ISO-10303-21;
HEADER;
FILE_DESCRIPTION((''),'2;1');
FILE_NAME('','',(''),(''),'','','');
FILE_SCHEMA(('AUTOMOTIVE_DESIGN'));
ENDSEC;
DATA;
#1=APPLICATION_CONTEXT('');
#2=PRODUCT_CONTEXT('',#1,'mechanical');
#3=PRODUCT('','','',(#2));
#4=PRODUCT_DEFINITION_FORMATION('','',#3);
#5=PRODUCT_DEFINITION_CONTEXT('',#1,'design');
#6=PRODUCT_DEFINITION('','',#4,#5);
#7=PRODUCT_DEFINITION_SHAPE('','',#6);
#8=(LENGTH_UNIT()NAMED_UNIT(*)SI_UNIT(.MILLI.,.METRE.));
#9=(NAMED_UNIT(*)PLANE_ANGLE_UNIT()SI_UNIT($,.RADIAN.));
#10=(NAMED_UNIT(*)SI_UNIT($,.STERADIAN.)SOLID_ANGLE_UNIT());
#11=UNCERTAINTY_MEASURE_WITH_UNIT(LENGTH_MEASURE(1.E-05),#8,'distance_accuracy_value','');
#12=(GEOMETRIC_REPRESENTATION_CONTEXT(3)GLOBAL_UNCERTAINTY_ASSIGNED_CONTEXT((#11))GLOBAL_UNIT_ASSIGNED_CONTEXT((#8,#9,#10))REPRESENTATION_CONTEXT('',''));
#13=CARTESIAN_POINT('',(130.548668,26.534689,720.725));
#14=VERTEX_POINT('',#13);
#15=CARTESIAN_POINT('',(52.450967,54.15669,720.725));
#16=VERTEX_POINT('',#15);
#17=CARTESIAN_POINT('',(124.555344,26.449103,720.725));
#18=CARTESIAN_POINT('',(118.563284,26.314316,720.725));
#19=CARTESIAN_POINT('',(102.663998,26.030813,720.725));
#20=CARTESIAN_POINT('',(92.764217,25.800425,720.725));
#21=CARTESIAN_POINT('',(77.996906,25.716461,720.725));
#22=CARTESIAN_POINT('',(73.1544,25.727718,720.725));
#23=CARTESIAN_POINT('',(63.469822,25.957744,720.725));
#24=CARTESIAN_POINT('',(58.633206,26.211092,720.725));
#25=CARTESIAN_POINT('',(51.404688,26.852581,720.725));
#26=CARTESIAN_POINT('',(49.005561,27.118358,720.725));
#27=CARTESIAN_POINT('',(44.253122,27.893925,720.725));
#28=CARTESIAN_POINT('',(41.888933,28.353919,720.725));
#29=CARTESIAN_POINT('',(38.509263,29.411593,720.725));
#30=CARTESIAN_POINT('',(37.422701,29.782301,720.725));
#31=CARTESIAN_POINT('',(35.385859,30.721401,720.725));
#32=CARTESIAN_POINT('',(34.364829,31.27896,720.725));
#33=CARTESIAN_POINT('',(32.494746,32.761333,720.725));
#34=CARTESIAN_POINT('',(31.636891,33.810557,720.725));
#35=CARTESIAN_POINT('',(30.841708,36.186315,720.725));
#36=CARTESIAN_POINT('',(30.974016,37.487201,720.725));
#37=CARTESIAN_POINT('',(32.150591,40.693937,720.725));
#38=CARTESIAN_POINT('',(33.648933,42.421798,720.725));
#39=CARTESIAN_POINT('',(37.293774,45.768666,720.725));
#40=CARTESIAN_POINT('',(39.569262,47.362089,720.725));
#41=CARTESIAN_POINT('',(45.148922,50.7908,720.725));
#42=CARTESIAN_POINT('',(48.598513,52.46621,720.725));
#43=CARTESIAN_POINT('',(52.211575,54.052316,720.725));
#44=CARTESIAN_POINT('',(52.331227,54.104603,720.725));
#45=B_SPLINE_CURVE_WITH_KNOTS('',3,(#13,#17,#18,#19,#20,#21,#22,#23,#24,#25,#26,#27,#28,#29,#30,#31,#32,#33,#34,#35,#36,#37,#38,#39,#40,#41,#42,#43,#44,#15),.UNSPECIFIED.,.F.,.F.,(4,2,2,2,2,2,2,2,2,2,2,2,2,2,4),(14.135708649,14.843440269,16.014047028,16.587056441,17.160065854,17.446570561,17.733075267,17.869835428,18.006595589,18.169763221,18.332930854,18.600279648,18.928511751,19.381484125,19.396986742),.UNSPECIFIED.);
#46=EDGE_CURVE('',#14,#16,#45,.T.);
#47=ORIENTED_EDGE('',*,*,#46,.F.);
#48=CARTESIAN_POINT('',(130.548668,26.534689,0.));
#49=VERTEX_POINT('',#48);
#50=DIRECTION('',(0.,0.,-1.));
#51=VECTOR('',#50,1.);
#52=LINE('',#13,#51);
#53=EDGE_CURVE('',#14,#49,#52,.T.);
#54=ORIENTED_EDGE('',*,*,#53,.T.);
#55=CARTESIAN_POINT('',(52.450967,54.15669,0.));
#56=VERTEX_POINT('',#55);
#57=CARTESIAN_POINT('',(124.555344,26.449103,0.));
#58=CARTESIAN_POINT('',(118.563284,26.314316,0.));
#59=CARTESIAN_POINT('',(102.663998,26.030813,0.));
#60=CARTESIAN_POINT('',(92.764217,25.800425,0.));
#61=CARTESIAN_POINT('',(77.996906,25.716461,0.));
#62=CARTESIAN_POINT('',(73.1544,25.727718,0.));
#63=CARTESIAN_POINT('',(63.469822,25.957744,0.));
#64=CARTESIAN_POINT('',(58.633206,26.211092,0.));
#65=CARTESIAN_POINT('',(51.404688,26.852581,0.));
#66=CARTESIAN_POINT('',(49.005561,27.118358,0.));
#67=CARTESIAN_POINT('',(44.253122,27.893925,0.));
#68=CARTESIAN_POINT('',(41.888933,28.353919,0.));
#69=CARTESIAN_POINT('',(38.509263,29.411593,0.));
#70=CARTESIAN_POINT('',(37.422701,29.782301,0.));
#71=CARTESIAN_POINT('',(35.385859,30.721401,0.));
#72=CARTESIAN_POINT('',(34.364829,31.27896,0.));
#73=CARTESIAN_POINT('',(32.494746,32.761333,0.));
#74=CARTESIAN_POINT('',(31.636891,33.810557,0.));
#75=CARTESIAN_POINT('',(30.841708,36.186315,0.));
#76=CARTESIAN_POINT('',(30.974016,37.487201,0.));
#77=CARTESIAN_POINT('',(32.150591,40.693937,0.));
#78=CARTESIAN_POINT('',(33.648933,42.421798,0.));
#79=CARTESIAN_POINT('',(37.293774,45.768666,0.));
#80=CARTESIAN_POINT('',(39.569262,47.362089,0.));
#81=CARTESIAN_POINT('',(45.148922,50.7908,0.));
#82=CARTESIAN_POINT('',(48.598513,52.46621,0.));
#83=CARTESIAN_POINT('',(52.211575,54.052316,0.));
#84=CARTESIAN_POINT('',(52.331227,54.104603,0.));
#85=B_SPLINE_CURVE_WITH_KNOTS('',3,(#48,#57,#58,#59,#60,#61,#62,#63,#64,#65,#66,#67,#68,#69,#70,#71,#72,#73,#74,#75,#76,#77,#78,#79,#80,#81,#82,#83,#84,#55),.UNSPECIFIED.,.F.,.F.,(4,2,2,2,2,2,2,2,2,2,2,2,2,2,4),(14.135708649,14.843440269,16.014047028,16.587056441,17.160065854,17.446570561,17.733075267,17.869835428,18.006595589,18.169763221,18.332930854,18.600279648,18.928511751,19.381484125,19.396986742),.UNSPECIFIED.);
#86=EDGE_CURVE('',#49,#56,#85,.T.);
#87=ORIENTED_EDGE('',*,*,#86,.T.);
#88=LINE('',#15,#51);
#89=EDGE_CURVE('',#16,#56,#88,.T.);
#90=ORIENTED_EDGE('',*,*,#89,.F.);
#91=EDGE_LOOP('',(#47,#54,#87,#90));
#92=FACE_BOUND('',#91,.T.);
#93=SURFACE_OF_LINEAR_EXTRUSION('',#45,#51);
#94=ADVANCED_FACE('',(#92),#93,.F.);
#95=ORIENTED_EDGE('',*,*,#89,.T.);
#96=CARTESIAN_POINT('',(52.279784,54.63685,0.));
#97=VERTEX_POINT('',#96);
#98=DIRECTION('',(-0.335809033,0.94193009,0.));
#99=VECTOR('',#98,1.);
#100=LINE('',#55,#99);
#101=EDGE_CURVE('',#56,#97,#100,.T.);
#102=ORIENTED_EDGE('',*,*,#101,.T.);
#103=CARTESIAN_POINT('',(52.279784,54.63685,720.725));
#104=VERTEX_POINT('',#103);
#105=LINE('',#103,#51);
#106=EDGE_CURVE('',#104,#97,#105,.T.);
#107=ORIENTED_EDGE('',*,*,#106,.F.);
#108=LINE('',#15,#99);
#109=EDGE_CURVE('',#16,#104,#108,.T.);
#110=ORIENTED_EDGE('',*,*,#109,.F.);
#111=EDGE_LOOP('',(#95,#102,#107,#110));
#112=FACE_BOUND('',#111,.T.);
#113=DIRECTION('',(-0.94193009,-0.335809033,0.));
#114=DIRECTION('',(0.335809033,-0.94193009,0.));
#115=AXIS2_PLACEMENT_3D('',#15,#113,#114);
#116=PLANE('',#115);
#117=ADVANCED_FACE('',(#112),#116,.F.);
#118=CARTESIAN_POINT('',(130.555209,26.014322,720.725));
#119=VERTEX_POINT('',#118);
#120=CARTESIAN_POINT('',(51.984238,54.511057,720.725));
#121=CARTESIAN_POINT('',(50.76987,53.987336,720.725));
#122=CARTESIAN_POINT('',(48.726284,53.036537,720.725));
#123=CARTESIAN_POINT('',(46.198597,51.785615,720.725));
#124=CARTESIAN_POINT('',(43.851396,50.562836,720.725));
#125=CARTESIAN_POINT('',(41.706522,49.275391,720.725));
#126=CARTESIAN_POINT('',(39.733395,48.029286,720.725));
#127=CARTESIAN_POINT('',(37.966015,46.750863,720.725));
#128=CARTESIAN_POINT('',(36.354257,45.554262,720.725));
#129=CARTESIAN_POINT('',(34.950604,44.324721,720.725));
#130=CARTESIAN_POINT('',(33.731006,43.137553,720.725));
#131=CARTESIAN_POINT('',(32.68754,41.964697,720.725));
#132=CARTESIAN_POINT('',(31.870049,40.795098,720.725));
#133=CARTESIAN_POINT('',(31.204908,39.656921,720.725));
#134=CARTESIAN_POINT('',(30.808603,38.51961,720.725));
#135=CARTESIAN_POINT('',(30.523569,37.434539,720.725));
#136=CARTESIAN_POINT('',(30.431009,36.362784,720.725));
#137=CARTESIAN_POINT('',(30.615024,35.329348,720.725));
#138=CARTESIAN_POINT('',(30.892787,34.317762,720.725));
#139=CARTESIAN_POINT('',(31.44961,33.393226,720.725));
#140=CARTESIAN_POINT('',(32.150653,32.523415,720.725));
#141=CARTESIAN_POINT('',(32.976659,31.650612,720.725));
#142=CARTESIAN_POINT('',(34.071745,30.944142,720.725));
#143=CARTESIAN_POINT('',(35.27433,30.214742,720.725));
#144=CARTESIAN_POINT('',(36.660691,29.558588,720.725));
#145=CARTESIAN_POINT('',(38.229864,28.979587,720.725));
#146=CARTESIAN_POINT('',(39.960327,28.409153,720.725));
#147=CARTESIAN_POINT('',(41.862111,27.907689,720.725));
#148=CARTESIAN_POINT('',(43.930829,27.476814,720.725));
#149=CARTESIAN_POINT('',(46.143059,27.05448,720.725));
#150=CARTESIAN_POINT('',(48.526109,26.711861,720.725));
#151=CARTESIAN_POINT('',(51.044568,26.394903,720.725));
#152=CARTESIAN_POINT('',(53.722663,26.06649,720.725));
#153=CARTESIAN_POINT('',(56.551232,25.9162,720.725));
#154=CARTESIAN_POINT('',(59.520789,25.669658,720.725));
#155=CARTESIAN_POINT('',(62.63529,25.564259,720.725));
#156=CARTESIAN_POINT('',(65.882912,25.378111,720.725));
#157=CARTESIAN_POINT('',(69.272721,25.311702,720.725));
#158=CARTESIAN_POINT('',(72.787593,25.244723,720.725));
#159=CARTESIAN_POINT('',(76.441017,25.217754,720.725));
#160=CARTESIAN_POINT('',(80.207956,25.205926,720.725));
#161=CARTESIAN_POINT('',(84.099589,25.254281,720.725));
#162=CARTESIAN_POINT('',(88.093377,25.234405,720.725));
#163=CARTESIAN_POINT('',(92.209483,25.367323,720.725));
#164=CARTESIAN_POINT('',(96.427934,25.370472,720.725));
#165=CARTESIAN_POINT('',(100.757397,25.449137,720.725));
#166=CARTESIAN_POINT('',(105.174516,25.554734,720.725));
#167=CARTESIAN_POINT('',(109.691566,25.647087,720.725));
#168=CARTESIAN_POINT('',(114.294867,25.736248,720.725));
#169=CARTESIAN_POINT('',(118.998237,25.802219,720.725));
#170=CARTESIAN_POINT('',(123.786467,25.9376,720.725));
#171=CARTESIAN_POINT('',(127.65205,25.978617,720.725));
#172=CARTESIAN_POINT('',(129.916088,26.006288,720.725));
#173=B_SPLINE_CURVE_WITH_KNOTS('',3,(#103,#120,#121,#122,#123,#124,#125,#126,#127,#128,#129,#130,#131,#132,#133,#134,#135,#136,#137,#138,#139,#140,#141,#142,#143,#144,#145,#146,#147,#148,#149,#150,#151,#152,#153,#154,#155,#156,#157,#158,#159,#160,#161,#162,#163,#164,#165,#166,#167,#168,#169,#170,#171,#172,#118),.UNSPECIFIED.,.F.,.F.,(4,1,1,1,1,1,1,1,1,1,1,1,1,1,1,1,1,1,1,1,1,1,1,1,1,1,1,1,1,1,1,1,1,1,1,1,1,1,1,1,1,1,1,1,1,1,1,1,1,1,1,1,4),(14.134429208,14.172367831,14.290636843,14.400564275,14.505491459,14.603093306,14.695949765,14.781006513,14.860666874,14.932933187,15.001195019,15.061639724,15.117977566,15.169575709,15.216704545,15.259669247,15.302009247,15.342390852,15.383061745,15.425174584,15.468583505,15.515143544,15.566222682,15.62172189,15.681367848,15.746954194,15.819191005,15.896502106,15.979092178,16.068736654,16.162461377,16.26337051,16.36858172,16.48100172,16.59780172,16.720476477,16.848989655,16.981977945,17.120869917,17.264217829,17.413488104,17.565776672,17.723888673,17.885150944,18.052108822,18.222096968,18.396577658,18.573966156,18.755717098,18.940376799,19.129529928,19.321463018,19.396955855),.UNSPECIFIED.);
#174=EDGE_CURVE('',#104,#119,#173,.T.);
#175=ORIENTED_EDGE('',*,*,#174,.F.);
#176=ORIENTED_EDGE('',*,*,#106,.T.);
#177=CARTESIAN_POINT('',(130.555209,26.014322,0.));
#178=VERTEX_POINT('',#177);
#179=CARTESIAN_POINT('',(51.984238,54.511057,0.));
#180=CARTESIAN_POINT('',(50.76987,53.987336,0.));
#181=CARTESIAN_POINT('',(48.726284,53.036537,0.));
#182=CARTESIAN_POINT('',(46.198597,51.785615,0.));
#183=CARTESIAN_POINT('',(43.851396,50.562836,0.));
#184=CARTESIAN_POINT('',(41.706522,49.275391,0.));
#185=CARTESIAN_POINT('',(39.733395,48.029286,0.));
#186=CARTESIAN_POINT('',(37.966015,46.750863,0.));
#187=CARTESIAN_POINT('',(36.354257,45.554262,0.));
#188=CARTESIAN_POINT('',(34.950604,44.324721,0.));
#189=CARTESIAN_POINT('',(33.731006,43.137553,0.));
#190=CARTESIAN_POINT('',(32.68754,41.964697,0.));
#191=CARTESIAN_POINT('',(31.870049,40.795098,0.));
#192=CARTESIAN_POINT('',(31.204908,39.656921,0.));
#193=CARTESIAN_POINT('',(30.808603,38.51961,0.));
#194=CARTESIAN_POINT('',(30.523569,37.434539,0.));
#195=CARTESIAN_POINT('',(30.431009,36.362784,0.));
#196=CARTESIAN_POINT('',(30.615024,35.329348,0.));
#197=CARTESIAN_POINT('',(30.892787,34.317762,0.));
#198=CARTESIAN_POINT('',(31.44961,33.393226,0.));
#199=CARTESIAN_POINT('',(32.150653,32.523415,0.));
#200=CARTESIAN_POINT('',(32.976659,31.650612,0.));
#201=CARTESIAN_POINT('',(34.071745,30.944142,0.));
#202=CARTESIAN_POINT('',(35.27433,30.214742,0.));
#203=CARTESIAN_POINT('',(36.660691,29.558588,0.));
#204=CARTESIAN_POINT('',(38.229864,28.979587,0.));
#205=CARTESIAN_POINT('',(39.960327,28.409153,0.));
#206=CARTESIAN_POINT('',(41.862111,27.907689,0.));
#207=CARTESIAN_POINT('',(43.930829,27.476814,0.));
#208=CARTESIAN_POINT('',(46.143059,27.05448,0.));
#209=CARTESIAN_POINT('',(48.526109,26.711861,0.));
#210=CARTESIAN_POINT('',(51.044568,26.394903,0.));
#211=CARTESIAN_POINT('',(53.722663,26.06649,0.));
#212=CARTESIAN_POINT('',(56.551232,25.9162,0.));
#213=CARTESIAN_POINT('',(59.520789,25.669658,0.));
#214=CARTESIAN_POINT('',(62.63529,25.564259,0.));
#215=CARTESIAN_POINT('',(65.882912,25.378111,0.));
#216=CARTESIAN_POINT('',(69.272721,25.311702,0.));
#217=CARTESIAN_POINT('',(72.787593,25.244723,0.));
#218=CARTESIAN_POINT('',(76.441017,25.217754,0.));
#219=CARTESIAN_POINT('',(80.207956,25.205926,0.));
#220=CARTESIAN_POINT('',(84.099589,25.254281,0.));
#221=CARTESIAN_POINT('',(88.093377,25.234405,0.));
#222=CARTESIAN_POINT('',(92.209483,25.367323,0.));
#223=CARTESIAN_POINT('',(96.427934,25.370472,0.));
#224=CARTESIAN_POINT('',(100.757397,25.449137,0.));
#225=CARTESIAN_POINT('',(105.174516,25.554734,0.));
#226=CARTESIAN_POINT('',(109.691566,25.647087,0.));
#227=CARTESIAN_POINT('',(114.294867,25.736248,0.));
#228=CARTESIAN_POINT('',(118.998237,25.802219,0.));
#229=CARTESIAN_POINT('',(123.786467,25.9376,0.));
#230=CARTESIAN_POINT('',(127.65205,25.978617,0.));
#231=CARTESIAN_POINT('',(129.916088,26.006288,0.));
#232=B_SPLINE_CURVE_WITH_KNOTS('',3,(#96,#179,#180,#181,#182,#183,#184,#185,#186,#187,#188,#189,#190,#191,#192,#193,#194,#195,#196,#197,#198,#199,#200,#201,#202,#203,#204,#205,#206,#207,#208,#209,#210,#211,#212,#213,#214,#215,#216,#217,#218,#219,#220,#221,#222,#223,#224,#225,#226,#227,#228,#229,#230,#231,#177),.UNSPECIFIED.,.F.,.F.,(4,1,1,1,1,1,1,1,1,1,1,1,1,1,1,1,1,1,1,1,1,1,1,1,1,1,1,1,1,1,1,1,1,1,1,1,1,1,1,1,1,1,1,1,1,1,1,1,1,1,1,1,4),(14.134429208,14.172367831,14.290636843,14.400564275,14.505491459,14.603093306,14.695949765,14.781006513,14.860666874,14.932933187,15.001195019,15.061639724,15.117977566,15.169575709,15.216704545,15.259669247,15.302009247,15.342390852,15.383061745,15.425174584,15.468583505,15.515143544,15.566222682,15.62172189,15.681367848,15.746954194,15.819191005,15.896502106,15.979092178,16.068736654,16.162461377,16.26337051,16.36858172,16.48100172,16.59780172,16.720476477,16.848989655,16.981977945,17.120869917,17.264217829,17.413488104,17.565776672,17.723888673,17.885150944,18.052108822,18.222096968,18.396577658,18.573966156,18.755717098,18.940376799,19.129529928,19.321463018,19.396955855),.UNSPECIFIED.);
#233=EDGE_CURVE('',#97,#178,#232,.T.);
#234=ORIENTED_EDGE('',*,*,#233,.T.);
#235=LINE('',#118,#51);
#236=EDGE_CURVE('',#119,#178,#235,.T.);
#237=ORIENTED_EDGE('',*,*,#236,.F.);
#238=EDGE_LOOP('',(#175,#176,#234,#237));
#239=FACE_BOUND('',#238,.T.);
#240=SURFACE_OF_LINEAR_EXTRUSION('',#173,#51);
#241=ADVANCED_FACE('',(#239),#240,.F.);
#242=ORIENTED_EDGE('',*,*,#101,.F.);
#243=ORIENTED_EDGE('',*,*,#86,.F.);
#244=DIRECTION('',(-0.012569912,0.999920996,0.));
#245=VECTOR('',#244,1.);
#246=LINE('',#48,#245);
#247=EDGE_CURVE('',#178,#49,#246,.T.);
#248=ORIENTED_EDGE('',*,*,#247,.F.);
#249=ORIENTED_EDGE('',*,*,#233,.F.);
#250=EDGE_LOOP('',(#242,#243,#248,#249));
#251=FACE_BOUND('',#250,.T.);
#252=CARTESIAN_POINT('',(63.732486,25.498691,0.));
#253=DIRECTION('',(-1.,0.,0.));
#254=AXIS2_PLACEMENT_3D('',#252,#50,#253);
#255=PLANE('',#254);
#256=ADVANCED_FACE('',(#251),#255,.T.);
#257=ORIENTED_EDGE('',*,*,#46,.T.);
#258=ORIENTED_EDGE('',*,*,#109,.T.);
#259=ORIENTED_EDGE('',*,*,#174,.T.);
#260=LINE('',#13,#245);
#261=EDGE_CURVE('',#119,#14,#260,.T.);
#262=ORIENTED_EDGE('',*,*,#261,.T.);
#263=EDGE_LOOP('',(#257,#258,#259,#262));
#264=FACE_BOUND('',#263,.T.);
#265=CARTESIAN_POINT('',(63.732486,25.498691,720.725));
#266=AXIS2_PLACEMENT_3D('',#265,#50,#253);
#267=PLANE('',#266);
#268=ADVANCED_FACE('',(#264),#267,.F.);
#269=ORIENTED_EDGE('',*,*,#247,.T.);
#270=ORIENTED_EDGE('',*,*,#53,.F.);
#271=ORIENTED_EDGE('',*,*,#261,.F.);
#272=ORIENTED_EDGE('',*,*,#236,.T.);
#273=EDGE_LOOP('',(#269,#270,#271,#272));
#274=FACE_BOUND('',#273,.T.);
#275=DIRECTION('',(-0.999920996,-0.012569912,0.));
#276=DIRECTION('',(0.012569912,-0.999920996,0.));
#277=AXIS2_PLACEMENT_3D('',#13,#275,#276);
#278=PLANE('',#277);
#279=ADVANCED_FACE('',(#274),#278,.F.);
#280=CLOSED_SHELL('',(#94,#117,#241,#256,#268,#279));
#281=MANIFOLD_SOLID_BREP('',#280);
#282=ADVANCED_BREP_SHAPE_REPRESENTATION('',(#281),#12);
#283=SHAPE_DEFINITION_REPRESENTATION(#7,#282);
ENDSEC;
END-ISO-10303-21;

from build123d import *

# Parameters (mm, degrees)
BOSS_EXTRUDE1_DEPTH = 720.725


with BuildPart() as part:
    # Sketch2 → Boss-Extrude1 (new body)
    with BuildSketch(Plane.XY):
        with BuildLine():
            Line((52.450966591, 54.156690392), (52.279784263, 54.636849558))
            add(Edge.make_bspline(
                [(52.279784263, 54.636849558), (51.984237584, 54.511056821), (50.769870335, 53.98733611), (48.726284221, 53.036537204), (46.198596634, 51.785614981), (43.851395534, 50.562835734), (41.706522315, 49.275390999), (39.733394776, 48.029285981), (37.96601505, 46.750863313), (36.354256942, 45.554262029), (34.950604239, 44.324720652), (33.731005853, 43.137552945), (32.687540062, 41.964696774), (31.870049495, 40.795098076), (31.204908104, 39.656920775), (30.808603368, 38.519610424), (30.523569136, 37.434538913), (30.431008783, 36.362784079), (30.615024145, 35.329347542), (30.892786526, 34.31776167), (31.44961021, 33.393225815), (32.150652535, 32.523415034), (32.976658961, 31.650611998), (34.071745031, 30.944142433), (35.274330147, 30.214742482), (36.660691022, 29.558588434), (38.229863976, 28.979587438), (39.960327495, 28.409153359), (41.862111381, 27.907689258), (43.930829494, 27.476813607), (46.143058676, 27.054479883), (48.526108809, 26.711860726), (51.044567861, 26.394902704), (53.722663067, 26.066490372), (56.551232084, 25.916200458), (59.520788519, 25.669657839), (62.6352899, 25.564258659), (65.882911732, 25.378110786), (69.272721395, 25.311702125), (72.787592693, 25.244722742), (76.441016853, 25.21775368), (80.207956115, 25.205925557), (84.09958906, 25.254280801), (88.093376993, 25.234404524), (92.209483276, 25.367323441), (96.427933939, 25.370472209), (100.757397227, 25.449136698), (105.174516489, 25.554734077), (109.691566336, 25.647087119), (114.294867366, 25.736248002), (118.998236923, 25.802219339), (123.786466613, 25.937600392), (127.652050322, 25.978617474), (129.916088327, 26.006287555), (130.555209424, 26.014321885)],
                knots=[14.134429208, 14.134429208, 14.134429208, 14.134429208, 14.172367831, 14.290636843, 14.400564275, 14.505491459, 14.603093306, 14.695949765, 14.781006513, 14.860666874, 14.932933187, 15.001195019, 15.061639724, 15.117977566, 15.169575709, 15.216704545, 15.259669247, 15.302009247, 15.342390852, 15.383061745, 15.425174584, 15.468583505, 15.515143544, 15.566222682, 15.62172189, 15.681367848, 15.746954194, 15.819191005, 15.896502106, 15.979092178, 16.068736654, 16.162461377, 16.26337051, 16.36858172, 16.48100172, 16.59780172, 16.720476477, 16.848989655, 16.981977945, 17.120869917, 17.264217829, 17.413488104, 17.565776672, 17.723888673, 17.885150944, 18.052108822, 18.222096968, 18.396577658, 18.573966156, 18.755717098, 18.940376799, 19.129529928, 19.321463018, 19.396955855, 19.396955855, 19.396955855, 19.396955855], degree=3))
            Line((130.555209424, 26.014321885), (130.548667938, 26.534689034))
            add(Edge.make_bspline(
                [(52.450966591, 54.156690392), (52.331226703, 54.10460272), (52.211575134, 54.05231621), (48.598513497, 52.466209621), (45.148921663, 50.790800121), (39.569261895, 47.362088597), (37.29377419, 45.768666391), (33.64893293, 42.421797821), (32.150591155, 40.693937136), (30.974016316, 37.487201054), (30.841708434, 36.186315488), (31.636890757, 33.810556773), (32.494746255, 32.761333487), (34.364828507, 31.278960233), (35.385859188, 30.721401098), (37.422700797, 29.782300565), (38.50926311, 29.411592642), (41.888932576, 28.353918567), (44.253121805, 27.893924884), (49.005561472, 27.118358305), (51.404688059, 26.852581479), (58.633206362, 26.211091567), (63.469821915, 25.957744334), (73.154400086, 25.727718088), (77.996906352, 25.716461468), (92.764217068, 25.800424994), (102.66399777, 26.030813252), (118.563284111, 26.314315951), (124.555343757, 26.44910264), (130.548667938, 26.534689034)],
                knots=[14.135708649, 14.135708649, 14.135708649, 14.135708649, 14.151211266, 14.151211266, 14.60418364, 14.60418364, 14.932415743, 14.932415743, 15.199764537, 15.199764537, 15.36293217, 15.36293217, 15.526099802, 15.526099802, 15.662859963, 15.662859963, 15.799620124, 15.799620124, 16.08612483, 16.08612483, 16.372629537, 16.372629537, 16.94563895, 16.94563895, 17.518648363, 17.518648363, 18.689255122, 18.689255122, 19.396986742, 19.396986742, 19.396986742, 19.396986742], degree=3))
        make_face()
    extrude(amount=BOSS_EXTRUDE1_DEPTH)


solid = part.part
